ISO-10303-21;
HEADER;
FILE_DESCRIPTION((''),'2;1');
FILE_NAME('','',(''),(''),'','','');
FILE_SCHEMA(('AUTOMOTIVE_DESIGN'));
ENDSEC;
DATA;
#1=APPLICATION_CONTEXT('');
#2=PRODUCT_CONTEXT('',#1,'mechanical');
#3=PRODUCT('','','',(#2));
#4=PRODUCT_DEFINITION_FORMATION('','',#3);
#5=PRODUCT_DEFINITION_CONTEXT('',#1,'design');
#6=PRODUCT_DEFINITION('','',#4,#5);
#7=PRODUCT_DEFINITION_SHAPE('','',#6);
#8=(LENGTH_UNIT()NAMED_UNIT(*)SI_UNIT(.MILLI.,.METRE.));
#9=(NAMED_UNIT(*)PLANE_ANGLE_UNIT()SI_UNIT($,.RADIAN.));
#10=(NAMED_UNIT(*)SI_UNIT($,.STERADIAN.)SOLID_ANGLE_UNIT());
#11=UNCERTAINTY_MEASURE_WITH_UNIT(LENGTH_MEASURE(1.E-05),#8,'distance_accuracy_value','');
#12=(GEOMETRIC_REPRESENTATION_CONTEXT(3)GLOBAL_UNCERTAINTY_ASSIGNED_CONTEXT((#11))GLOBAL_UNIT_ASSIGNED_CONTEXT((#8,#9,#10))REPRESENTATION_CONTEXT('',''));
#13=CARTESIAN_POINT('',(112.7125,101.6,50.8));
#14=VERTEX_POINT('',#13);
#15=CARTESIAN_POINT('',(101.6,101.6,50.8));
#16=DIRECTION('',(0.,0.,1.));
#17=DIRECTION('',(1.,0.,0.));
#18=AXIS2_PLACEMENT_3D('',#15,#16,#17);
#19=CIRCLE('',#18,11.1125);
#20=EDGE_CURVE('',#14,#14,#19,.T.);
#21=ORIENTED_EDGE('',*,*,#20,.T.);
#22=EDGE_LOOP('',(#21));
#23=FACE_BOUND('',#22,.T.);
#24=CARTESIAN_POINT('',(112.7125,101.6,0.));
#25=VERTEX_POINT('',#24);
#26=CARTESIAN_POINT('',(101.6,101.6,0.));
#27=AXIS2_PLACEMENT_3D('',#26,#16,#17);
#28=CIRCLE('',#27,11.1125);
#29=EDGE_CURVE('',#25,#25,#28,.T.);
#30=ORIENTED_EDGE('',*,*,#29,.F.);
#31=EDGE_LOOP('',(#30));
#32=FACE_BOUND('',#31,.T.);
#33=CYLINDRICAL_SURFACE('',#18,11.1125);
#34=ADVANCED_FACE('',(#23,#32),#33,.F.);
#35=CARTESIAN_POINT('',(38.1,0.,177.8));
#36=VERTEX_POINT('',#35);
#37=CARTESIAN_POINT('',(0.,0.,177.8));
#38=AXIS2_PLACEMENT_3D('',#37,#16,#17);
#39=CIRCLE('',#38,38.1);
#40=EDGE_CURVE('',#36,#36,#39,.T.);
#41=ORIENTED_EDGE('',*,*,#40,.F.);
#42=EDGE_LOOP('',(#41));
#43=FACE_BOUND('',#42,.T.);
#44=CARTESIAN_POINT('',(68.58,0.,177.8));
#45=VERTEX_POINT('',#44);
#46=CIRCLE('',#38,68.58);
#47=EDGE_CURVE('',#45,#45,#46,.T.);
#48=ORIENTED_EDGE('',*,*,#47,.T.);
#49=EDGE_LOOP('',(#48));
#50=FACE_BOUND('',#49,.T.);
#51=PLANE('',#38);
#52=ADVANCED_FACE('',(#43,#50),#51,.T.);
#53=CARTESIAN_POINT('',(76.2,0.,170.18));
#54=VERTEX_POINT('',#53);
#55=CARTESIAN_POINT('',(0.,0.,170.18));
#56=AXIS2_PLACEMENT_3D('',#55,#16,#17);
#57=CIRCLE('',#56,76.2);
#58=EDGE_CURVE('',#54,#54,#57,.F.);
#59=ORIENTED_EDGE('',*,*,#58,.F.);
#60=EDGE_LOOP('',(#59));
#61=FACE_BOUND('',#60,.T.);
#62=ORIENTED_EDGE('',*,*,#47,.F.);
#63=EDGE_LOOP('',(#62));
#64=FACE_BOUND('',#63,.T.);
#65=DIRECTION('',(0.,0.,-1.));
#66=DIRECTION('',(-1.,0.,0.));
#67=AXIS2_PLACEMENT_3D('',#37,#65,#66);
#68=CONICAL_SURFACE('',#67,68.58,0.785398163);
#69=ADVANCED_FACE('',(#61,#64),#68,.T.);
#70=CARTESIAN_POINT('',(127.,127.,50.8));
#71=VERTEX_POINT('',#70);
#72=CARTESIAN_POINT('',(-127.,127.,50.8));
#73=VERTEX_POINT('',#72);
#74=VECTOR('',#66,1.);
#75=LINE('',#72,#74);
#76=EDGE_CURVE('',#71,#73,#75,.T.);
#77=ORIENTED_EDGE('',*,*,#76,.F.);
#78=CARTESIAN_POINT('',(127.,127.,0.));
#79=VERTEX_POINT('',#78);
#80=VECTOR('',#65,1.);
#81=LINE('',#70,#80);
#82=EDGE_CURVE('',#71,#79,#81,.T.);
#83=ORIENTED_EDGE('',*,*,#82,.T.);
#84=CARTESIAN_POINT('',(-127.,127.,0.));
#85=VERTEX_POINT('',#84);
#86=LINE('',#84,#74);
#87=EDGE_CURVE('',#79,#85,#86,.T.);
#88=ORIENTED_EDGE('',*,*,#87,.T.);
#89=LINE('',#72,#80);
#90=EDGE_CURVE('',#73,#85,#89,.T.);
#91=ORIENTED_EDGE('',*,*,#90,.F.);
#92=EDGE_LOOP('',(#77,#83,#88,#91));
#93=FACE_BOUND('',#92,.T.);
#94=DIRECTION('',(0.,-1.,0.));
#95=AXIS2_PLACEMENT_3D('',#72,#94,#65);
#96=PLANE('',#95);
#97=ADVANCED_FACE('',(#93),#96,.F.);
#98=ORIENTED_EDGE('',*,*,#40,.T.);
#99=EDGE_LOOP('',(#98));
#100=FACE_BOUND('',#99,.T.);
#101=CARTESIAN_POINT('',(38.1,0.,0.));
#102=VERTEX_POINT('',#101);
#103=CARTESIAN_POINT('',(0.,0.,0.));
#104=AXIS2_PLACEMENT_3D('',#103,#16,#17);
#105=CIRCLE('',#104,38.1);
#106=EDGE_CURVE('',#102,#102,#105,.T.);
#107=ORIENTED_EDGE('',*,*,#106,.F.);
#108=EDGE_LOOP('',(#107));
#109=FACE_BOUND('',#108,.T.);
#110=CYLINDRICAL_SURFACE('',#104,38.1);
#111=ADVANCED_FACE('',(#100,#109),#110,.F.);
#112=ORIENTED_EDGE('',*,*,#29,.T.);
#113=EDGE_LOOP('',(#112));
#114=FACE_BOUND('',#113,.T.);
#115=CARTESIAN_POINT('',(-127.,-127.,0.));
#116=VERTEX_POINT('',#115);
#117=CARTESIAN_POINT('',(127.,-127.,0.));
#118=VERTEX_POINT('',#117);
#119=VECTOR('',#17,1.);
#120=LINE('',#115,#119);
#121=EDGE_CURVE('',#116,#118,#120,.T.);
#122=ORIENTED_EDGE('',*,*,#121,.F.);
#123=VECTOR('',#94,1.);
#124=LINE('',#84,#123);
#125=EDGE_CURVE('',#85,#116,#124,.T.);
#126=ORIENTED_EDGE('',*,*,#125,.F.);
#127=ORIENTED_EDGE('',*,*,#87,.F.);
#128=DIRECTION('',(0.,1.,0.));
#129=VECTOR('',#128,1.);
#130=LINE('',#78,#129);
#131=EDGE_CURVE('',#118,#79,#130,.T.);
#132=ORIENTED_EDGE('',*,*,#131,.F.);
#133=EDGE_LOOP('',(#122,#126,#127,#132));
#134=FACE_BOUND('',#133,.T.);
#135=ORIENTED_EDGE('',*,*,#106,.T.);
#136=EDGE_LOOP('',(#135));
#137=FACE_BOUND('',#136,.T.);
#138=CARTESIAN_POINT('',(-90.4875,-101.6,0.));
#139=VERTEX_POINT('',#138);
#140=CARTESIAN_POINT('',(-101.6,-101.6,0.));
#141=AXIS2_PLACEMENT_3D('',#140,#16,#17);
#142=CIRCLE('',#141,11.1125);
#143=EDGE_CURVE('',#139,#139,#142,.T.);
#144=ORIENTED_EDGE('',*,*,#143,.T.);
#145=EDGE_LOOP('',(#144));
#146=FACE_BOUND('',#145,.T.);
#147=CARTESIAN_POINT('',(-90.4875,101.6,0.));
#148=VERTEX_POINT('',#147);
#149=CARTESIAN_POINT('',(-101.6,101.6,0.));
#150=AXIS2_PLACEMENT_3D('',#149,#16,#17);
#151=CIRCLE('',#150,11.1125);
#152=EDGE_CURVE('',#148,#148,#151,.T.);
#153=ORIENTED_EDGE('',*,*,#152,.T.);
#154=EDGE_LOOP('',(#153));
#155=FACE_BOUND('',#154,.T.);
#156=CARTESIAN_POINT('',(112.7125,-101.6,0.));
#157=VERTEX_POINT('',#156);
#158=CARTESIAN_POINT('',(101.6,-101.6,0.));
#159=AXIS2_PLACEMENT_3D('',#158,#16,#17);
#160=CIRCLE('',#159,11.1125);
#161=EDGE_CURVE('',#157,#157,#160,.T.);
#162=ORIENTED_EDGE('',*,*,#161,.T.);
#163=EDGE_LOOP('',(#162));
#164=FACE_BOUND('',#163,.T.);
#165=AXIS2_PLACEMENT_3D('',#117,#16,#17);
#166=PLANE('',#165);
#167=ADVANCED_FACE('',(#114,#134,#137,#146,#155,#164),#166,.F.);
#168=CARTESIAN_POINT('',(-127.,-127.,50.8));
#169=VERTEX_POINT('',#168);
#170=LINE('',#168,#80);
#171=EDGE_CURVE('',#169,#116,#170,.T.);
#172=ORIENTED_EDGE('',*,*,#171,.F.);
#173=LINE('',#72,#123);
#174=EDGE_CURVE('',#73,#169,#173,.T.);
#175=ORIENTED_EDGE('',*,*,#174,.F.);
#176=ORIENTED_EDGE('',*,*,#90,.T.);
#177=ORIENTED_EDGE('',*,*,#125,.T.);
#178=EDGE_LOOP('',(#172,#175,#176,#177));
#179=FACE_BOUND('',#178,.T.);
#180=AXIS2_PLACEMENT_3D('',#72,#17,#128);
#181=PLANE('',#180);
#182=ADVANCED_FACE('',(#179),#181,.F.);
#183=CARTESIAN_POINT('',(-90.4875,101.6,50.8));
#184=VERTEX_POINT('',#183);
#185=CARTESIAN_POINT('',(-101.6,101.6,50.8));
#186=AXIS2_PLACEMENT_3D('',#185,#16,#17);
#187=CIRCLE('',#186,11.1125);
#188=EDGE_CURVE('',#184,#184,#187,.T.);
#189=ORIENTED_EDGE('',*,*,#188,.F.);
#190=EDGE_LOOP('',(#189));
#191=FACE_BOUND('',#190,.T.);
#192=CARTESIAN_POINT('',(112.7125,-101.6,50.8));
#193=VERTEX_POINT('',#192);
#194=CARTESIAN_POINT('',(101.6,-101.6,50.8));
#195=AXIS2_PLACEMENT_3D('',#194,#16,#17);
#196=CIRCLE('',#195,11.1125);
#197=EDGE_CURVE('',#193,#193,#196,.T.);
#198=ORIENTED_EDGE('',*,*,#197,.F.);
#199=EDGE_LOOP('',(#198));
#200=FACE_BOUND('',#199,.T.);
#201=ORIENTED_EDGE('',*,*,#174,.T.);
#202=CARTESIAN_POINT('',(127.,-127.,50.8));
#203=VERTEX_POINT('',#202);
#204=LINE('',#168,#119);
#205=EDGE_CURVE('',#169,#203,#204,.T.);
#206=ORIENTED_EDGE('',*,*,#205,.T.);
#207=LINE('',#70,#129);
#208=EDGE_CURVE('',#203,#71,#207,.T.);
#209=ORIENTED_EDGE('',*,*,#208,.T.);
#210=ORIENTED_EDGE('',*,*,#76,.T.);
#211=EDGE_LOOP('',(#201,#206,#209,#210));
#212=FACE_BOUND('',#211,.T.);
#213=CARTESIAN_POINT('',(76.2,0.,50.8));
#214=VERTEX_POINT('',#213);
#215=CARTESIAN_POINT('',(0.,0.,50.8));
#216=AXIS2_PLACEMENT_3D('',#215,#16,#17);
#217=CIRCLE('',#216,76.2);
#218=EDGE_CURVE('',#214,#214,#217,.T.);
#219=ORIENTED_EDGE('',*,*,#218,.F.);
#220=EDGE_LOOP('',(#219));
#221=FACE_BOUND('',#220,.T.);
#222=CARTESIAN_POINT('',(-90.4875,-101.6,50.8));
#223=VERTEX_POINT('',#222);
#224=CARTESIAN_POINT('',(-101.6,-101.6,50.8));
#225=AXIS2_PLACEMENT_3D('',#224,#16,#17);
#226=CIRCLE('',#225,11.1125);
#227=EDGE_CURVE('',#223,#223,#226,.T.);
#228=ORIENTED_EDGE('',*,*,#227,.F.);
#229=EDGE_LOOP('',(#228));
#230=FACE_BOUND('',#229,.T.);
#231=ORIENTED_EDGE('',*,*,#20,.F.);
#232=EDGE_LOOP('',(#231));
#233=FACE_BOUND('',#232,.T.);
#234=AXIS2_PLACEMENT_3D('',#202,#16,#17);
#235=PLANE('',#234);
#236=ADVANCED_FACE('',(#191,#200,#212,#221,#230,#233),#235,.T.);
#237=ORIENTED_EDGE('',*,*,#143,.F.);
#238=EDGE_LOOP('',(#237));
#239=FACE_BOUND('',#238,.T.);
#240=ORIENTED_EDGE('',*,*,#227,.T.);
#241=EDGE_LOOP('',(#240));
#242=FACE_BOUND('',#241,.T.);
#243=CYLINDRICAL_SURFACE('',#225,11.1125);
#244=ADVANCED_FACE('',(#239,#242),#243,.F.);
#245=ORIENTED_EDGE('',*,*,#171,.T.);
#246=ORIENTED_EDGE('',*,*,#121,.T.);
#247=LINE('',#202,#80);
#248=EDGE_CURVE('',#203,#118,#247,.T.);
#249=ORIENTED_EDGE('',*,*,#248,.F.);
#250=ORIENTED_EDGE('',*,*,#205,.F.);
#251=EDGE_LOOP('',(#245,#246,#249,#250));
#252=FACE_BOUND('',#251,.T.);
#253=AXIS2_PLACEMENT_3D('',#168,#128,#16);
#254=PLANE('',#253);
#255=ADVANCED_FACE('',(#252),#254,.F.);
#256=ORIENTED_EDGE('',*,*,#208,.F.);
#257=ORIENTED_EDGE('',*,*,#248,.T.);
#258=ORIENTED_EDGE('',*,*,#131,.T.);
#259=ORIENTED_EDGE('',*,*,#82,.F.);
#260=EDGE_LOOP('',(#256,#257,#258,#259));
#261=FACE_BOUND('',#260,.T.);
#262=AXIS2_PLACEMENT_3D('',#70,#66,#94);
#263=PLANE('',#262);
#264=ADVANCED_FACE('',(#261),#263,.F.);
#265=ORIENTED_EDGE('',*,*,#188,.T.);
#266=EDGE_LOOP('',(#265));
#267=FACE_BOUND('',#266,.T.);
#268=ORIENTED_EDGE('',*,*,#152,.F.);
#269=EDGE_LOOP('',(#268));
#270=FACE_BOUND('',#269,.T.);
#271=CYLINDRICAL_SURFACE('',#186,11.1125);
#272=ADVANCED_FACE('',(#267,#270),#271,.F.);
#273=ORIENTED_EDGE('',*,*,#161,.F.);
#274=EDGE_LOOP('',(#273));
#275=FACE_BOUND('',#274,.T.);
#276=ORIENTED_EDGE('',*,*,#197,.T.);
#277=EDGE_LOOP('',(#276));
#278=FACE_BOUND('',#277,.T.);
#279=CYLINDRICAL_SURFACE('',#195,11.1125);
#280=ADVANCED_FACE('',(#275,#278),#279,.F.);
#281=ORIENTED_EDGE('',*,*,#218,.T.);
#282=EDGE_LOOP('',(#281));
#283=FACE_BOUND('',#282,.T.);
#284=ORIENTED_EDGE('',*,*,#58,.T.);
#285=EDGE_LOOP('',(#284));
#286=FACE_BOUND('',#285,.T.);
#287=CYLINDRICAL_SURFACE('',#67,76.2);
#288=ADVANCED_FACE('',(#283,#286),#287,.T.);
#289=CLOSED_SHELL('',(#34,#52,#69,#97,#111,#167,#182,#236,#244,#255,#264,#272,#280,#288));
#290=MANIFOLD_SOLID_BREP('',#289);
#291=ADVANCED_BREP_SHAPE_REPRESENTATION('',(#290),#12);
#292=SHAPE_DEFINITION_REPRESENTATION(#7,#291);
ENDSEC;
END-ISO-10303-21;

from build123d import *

# Parameters (mm, degrees)
SKETCH1_W                    = 254
SKETCH1_H                    = 254
BOSS_EXTRUDE1_DEPTH          = 50.8
SKETCH2_R                    = 76.2
BOSS_EXTRUDE2_DEPTH          = 127
CHAMFER1_SIZE                = 7.62
SKETCH3_R                    = 38.1
CUT_EXTRUDE1_DEPTH           = 178.8
F_7_8_0_875_DIAMETER_HOLE1_D = 22.225


with BuildPart() as part:
    # Sketch1 → Boss-Extrude1 (new body)
    with BuildSketch(Plane.XY):
        Rectangle(SKETCH1_W, SKETCH1_H)
    extrude(amount=BOSS_EXTRUDE1_DEPTH)

    # Sketch2 → Boss-Extrude2 (add)
    with BuildSketch(Plane.XY.offset(50.8)):
        Circle(SKETCH2_R)
    extrude(amount=BOSS_EXTRUDE2_DEPTH)

    # Chamfer1
    chamfer1_edges = [part.edges().sort_by_distance(p)[0] for p in [
        (-76.2, 0, 177.8),
    ]]
    chamfer(chamfer1_edges, length=CHAMFER1_SIZE)

    # Sketch3 → Cut-Extrude1 (cut, through all)
    with BuildSketch(Plane.XY.offset(177.8)):
        Circle(SKETCH3_R)
    extrude(amount=-CUT_EXTRUDE1_DEPTH, mode=Mode.SUBTRACT)

    # 7/8 (0.875) Diameter Hole1 (through all)
    with Locations(Plane.XY.offset(50.8)):
        with Locations((-101.6, 101.6), (101.6, 101.6), (101.6, -101.6), (-101.6, -101.6)):
            Hole(F_7_8_0_875_DIAMETER_HOLE1_D / 2)


solid = part.part
